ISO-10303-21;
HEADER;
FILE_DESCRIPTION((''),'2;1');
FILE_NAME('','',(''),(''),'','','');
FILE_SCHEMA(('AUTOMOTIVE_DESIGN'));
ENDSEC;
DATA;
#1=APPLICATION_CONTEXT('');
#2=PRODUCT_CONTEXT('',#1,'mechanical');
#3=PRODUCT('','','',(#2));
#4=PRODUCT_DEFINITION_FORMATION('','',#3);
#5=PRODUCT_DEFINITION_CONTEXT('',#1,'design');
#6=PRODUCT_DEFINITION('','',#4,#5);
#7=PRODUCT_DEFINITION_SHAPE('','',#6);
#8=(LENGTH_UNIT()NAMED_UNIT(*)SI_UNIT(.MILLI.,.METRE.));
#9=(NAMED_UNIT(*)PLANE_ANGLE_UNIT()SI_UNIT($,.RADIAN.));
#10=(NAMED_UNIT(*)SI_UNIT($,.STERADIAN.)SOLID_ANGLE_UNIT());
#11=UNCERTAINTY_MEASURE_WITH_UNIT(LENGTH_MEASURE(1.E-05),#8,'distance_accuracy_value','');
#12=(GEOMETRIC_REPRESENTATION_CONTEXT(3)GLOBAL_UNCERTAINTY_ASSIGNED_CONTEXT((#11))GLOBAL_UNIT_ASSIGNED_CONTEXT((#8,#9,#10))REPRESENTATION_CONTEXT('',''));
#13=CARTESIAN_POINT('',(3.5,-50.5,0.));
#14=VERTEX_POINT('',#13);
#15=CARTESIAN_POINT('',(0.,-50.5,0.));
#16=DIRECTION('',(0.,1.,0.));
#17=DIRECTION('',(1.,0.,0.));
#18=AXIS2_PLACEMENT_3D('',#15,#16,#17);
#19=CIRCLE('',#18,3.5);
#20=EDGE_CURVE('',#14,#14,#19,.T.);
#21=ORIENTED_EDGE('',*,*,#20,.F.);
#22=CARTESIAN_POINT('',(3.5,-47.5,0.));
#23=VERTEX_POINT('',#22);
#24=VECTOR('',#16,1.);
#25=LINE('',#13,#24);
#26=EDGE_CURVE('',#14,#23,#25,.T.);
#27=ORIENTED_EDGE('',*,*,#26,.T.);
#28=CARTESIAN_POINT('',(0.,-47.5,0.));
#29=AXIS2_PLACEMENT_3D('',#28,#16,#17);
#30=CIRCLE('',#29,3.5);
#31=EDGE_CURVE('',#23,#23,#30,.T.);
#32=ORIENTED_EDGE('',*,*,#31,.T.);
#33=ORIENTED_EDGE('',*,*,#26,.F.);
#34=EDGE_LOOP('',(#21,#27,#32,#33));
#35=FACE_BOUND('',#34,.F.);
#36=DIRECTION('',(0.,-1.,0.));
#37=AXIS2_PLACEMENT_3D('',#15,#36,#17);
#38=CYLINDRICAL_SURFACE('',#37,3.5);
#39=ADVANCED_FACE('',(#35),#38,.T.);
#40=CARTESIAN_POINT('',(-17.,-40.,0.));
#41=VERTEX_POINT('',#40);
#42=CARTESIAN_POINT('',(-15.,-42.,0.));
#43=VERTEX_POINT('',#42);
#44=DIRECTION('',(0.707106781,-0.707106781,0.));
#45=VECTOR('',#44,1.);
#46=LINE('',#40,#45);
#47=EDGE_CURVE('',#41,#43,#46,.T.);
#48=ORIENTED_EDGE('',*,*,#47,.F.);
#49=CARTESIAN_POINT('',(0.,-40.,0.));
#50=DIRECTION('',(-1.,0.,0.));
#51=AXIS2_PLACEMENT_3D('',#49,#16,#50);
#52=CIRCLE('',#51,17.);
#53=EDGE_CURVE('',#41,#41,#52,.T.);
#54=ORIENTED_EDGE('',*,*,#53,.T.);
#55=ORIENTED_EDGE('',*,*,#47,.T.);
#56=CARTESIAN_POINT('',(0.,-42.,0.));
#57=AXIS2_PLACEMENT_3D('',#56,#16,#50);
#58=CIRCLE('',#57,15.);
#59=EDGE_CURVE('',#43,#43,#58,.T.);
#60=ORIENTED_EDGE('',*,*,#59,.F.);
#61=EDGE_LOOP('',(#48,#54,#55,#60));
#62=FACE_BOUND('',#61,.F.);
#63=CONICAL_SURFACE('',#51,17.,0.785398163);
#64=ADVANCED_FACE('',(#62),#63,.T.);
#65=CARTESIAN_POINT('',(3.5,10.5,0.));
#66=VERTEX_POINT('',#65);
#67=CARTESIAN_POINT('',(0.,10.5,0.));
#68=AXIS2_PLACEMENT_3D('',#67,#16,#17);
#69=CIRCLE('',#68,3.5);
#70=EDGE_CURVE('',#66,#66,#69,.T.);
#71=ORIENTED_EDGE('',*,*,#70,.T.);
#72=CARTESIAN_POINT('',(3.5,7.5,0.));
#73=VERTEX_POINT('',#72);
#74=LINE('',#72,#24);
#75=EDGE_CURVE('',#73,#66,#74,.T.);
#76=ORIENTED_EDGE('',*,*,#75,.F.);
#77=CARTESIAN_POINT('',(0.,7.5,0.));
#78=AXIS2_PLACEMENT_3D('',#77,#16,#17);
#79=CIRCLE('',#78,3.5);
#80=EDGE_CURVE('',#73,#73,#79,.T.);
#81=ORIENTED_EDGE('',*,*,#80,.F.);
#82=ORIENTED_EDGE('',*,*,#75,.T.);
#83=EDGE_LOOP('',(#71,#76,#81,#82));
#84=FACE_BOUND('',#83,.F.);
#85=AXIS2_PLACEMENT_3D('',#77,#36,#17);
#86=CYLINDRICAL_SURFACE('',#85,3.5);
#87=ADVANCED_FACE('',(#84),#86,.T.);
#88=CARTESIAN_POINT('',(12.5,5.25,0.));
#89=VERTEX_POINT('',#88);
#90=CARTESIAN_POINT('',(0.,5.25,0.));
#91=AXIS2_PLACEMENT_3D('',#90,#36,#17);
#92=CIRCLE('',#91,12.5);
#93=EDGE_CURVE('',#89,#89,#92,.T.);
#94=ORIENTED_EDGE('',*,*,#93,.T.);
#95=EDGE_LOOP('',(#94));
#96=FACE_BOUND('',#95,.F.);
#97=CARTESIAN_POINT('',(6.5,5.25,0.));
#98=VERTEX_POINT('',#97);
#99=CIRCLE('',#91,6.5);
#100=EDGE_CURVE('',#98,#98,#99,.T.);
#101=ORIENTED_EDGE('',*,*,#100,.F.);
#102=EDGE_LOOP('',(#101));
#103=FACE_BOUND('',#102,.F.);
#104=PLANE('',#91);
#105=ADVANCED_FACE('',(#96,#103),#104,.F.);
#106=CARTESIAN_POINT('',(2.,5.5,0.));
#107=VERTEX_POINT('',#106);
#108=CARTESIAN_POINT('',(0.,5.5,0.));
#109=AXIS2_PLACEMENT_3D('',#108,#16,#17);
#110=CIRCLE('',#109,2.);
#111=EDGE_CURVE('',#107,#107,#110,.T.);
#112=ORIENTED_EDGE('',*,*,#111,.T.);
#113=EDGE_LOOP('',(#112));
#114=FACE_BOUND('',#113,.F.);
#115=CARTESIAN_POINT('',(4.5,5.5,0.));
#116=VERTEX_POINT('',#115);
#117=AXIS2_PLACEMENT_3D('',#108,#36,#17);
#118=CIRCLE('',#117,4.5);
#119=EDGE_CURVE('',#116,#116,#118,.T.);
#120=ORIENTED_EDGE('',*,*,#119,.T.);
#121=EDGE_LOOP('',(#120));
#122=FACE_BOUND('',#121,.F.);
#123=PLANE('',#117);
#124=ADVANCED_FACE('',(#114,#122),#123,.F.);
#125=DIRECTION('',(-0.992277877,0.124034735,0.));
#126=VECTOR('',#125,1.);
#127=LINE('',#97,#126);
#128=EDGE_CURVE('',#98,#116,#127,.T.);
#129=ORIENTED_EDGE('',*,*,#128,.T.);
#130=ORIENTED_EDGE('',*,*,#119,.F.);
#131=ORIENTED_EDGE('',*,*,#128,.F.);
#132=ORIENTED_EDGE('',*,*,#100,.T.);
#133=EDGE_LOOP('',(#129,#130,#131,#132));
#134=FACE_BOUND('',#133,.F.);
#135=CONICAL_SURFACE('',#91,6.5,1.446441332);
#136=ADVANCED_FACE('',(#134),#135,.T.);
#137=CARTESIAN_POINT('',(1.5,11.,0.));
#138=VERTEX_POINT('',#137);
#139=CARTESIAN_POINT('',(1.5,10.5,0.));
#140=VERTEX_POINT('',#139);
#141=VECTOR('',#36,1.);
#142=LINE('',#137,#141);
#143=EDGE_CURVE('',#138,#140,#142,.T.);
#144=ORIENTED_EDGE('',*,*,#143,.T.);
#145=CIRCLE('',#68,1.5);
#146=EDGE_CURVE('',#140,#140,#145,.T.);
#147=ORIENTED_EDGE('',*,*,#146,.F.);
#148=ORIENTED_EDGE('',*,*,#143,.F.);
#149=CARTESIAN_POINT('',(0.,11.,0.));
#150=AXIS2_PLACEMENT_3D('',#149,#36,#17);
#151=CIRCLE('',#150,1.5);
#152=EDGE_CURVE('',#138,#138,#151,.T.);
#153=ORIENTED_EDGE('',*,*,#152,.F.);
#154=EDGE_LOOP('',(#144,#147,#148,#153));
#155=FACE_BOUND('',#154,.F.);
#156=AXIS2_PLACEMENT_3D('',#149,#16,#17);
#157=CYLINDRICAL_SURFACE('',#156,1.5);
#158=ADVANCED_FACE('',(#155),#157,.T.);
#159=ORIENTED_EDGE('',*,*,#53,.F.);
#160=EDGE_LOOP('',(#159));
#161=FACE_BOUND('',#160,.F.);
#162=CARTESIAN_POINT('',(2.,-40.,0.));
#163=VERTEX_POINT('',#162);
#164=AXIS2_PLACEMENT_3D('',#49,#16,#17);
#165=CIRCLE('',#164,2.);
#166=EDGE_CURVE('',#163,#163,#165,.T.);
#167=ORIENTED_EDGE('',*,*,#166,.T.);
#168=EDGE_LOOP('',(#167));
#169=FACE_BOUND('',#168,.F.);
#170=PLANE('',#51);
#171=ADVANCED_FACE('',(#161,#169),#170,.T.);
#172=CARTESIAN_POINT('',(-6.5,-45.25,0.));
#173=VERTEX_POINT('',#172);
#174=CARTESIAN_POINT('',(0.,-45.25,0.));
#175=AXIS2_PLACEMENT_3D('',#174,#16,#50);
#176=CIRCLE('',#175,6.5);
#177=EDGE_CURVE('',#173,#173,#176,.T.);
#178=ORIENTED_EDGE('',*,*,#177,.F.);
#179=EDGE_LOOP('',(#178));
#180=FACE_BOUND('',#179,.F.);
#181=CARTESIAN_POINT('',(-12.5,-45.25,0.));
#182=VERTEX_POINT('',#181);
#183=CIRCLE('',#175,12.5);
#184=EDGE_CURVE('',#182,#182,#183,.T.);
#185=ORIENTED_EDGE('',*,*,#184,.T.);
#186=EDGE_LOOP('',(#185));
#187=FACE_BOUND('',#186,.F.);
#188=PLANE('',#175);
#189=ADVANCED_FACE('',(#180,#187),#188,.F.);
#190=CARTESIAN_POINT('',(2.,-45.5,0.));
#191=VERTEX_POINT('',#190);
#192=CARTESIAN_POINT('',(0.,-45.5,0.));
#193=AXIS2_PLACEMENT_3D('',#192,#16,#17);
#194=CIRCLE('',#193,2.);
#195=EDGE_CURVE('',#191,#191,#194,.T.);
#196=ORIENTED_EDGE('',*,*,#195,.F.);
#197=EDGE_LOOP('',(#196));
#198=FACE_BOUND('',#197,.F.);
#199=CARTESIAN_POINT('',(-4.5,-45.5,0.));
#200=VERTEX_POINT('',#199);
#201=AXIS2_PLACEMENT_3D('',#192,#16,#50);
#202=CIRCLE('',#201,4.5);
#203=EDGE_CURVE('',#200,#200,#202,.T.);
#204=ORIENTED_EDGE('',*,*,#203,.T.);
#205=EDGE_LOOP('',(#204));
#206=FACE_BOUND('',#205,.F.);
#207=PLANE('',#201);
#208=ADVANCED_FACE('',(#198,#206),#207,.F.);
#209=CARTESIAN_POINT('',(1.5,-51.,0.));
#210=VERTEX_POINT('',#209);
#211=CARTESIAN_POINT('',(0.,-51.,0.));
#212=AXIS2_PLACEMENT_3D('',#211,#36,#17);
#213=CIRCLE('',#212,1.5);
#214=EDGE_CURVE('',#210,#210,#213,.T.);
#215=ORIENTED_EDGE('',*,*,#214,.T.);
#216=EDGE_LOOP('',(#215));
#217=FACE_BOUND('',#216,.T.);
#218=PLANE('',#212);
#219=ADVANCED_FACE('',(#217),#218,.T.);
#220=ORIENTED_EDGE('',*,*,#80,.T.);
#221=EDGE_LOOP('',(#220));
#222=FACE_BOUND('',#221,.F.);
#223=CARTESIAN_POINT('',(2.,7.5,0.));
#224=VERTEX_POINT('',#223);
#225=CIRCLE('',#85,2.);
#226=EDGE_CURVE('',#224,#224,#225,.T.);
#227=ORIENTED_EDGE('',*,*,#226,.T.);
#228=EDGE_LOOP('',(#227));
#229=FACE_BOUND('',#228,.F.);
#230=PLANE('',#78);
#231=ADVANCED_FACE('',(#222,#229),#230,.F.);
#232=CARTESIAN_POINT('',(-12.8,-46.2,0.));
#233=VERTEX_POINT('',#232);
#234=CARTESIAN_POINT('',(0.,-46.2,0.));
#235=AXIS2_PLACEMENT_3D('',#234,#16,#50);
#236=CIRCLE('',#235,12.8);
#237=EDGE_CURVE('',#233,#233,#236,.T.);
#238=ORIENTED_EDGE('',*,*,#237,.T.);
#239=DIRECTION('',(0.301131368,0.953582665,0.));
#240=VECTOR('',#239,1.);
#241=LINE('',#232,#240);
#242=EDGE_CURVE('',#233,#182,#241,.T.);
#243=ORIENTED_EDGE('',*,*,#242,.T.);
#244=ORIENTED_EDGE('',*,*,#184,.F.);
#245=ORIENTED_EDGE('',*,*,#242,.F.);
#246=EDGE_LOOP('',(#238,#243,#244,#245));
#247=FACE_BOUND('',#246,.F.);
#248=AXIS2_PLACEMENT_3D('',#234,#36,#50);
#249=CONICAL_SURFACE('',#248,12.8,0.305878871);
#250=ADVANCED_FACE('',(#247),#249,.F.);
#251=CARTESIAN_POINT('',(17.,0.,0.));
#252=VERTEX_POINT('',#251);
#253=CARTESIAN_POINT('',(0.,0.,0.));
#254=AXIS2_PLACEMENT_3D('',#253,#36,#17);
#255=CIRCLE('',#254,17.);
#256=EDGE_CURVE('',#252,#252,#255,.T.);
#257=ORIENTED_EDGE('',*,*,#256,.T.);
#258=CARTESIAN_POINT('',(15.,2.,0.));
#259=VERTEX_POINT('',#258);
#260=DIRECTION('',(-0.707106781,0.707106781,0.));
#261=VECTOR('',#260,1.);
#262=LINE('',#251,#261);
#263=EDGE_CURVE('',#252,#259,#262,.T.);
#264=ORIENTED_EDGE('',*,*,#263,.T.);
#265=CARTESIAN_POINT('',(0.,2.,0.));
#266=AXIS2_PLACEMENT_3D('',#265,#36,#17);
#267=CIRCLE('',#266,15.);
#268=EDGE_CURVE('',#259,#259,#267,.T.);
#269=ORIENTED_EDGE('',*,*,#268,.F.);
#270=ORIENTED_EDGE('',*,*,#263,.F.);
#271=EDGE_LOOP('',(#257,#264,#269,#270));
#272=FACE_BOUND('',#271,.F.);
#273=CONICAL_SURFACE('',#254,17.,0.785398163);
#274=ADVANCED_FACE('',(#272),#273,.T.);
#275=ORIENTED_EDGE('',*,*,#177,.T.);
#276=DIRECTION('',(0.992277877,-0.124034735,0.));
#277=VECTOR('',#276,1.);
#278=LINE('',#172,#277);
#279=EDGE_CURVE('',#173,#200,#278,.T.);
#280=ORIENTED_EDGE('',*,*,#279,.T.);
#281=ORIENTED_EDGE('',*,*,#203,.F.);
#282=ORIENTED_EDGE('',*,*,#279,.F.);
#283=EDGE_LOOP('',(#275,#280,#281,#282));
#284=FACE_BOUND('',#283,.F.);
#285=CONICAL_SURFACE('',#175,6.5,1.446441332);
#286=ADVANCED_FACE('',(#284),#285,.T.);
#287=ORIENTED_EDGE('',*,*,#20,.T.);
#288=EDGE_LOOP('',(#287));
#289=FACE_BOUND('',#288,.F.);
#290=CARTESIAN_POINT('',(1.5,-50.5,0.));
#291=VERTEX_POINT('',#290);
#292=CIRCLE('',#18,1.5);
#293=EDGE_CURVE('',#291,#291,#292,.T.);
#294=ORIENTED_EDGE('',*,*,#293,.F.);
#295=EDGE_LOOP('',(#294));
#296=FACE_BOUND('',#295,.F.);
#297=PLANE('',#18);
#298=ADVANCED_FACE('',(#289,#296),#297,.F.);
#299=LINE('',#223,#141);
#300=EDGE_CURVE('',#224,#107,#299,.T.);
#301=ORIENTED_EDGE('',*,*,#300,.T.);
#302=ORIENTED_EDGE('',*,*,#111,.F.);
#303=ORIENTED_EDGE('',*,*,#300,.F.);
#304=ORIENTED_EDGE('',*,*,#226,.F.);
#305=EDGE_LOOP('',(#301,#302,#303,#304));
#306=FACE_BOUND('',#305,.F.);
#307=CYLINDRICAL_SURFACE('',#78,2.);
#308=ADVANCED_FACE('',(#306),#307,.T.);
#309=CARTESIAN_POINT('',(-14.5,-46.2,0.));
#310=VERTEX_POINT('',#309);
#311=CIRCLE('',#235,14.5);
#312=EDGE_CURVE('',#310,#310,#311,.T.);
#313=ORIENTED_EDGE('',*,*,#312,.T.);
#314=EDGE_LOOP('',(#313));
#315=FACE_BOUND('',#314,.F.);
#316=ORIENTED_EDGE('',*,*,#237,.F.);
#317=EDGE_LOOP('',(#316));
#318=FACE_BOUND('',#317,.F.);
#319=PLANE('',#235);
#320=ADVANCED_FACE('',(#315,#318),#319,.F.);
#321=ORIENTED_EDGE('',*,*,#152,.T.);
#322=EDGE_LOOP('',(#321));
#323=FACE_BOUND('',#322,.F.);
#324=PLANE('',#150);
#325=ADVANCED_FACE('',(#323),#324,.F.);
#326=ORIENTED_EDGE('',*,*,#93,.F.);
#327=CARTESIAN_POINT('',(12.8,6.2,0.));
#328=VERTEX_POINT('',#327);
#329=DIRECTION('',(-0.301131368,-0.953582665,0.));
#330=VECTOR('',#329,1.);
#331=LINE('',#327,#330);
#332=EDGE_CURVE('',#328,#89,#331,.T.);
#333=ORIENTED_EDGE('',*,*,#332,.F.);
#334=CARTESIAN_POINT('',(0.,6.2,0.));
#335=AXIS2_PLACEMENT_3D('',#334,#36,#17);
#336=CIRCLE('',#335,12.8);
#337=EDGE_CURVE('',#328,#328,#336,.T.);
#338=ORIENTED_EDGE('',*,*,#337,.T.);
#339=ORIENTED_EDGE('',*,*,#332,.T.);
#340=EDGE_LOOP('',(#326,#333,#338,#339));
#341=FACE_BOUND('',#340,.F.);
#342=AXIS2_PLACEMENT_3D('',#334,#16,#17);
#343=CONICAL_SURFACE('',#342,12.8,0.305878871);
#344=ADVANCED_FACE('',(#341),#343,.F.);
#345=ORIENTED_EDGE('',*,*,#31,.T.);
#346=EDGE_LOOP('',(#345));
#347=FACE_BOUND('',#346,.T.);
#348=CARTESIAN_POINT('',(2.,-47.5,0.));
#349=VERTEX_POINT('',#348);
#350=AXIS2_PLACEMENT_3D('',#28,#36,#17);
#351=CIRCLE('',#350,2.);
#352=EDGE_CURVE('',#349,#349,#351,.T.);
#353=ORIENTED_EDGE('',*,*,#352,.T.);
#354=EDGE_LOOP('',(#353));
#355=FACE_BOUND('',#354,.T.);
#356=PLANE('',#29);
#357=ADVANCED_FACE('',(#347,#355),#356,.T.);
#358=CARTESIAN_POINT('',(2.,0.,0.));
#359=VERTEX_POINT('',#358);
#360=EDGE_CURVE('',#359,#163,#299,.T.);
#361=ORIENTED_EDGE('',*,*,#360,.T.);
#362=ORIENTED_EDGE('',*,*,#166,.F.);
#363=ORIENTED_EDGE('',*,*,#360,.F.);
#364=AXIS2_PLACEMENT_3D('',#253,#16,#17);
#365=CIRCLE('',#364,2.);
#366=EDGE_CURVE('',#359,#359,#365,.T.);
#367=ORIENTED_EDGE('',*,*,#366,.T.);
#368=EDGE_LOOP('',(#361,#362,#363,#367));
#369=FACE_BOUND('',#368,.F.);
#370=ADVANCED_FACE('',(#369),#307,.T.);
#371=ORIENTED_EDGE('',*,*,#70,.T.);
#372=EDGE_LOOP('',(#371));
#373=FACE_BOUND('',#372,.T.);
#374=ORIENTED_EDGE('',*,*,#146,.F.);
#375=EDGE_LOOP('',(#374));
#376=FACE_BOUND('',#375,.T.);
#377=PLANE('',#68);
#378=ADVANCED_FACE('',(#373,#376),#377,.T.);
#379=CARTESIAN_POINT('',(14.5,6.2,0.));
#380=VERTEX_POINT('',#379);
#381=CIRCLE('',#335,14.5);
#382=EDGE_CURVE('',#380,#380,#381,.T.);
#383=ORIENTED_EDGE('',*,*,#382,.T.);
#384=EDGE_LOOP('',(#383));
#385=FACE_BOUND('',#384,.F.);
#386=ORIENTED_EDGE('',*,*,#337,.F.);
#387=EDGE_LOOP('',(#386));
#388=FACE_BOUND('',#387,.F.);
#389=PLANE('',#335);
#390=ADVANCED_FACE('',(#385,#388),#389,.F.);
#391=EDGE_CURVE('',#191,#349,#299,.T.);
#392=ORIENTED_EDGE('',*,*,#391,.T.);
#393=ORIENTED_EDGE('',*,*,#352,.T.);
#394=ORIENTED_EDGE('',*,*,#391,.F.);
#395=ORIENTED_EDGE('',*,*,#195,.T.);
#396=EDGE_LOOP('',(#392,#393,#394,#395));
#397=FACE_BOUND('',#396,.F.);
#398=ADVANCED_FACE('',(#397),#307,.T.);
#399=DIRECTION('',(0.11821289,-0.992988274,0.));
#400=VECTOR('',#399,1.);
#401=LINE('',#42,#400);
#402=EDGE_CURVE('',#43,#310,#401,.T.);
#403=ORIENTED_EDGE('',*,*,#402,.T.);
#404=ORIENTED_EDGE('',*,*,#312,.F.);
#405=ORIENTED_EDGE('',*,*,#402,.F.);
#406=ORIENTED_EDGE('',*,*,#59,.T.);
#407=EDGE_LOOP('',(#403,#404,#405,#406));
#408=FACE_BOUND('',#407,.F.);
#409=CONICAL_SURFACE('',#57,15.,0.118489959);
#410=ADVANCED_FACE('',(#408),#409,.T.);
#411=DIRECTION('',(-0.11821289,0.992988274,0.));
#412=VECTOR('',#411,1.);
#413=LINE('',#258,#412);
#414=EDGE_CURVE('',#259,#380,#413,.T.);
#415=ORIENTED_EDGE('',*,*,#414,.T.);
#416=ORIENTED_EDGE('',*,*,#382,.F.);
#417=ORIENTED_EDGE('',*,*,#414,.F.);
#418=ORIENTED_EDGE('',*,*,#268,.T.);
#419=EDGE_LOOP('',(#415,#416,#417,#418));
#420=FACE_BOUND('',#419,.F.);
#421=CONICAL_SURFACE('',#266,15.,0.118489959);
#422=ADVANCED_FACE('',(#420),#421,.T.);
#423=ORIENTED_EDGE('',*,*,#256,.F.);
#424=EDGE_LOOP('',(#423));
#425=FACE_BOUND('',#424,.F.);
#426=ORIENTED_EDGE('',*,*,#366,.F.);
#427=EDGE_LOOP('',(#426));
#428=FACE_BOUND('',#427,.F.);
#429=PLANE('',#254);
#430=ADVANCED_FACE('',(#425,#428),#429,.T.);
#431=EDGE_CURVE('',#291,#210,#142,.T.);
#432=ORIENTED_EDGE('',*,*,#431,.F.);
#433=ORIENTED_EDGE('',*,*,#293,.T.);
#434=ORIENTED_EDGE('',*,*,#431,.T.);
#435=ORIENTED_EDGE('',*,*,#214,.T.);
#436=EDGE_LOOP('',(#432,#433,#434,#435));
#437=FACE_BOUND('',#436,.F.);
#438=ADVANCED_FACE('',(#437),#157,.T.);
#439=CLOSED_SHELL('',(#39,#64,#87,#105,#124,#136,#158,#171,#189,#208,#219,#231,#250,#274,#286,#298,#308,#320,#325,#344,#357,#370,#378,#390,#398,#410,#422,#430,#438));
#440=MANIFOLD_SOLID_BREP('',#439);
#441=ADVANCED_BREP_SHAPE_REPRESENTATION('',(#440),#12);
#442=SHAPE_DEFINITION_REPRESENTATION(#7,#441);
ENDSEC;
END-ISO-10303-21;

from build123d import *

# Parameters (mm, degrees)
CYLINDER017_R          = 2
CYLINDER017_DEPTH      = 10
CUT011_PLACEMENT_ANGLE = 180
CYLINDER020_R          = 2
CYLINDER020_DEPTH      = 55
CYLINDER021_R          = 1.5
CYLINDER021_DEPTH      = 62
TUBE008_R              = 3.5
TUBE008_R_2            = 1.5
TUBE008_DEPTH          = 3
TUBE009_R              = 3.5
TUBE009_R_2            = 1.5
TUBE009_DEPTH          = 3
CYLINDER016_R          = 2
CYLINDER016_DEPTH      = 10


with BuildPart() as cylinder017:
    # Cylinder017 → Cylinder017 (new body)
    with BuildSketch(Plane.XZ.offset(-8)):
        Circle(CYLINDER017_R)
    extrude(amount=CYLINDER017_DEPTH)


with BuildPart() as rad_b:
    # Sketch005 → Revolve002 (revolve)
    with BuildSketch(Plane.XY):
        Polygon((0, 0), (17, 0), (15, 2), (14.5, 6.2), (12.8, 6.2), (12.5, 5.25), (6.5, 5.25), (4.5, 5.5), (0, 5.5), align=None)
    revolve(axis=Axis((0, 0, 0), (0, -1, 0)))

    # Cut011: cut Cylinder017
    add(cylinder017.part, mode=Mode.SUBTRACT)


with BuildPart() as rad_b_1:
    # Cut011 placement: moved
    add(rad_b.part.moved(Location((0, -40, 0))).rotate(Axis((0, -40, 0), (0, 0, 1)), CUT011_PLACEMENT_ANGLE))


with BuildPart() as cylinder020:
    # Cylinder020 → Cylinder020 (new body)
    with BuildSketch(Plane.XZ.offset(-7.5)):
        Circle(CYLINDER020_R)
    extrude(amount=CYLINDER020_DEPTH)


with BuildPart() as achse_a:
    # Cylinder021 → Cylinder021 (new body)
    with BuildSketch(Plane.XZ.offset(-11)):
        Circle(CYLINDER021_R)
    extrude(amount=CYLINDER021_DEPTH)

    # Fusion031: union Cylinder020
    add(cylinder020.part)


with BuildPart() as kula_a:
    # Tube008 → Tube008 (new body)
    with BuildSketch(Plane(origin=(0, 7.5, 0), x_dir=(1, 0, 0), z_dir=(0, 1, 0))):
        Circle(TUBE008_R)
        Circle(TUBE008_R_2, mode=Mode.SUBTRACT)
    extrude(amount=TUBE008_DEPTH)


with BuildPart() as kula_b:
    # Tube009 → Tube009 (new body)
    with BuildSketch(Plane(origin=(0, -50.5, 0), x_dir=(1, 0, 0), z_dir=(0, 1, 0))):
        Circle(TUBE009_R)
        Circle(TUBE009_R_2, mode=Mode.SUBTRACT)
    extrude(amount=TUBE009_DEPTH)


with BuildPart() as cylinder016:
    # Cylinder016 → Cylinder016 (new body)
    with BuildSketch(Plane.XZ.offset(-8)):
        Circle(CYLINDER016_R)
    extrude(amount=CYLINDER016_DEPTH)


with BuildPart() as radsatz_a:
    # Sketch005 → Revolve001 (revolve)
    with BuildSketch(Plane.XY):
        Polygon((0, 0), (17, 0), (15, 2), (14.5, 6.2), (12.8, 6.2), (12.5, 5.25), (6.5, 5.25), (4.5, 5.5), (0, 5.5), align=None)
    revolve(axis=Axis((0, 0, 0), (0, -1, 0)))

    # Cut010: cut Cylinder016
    add(cylinder016.part, mode=Mode.SUBTRACT)

    # Fusion078: union Rad-B, Achse-A, KuLa-A, KuLa-B
    add(rad_b_1.part)
    add(achse_a.part)
    add(kula_a.part)
    add(kula_b.part)


solid = radsatz_a.part
